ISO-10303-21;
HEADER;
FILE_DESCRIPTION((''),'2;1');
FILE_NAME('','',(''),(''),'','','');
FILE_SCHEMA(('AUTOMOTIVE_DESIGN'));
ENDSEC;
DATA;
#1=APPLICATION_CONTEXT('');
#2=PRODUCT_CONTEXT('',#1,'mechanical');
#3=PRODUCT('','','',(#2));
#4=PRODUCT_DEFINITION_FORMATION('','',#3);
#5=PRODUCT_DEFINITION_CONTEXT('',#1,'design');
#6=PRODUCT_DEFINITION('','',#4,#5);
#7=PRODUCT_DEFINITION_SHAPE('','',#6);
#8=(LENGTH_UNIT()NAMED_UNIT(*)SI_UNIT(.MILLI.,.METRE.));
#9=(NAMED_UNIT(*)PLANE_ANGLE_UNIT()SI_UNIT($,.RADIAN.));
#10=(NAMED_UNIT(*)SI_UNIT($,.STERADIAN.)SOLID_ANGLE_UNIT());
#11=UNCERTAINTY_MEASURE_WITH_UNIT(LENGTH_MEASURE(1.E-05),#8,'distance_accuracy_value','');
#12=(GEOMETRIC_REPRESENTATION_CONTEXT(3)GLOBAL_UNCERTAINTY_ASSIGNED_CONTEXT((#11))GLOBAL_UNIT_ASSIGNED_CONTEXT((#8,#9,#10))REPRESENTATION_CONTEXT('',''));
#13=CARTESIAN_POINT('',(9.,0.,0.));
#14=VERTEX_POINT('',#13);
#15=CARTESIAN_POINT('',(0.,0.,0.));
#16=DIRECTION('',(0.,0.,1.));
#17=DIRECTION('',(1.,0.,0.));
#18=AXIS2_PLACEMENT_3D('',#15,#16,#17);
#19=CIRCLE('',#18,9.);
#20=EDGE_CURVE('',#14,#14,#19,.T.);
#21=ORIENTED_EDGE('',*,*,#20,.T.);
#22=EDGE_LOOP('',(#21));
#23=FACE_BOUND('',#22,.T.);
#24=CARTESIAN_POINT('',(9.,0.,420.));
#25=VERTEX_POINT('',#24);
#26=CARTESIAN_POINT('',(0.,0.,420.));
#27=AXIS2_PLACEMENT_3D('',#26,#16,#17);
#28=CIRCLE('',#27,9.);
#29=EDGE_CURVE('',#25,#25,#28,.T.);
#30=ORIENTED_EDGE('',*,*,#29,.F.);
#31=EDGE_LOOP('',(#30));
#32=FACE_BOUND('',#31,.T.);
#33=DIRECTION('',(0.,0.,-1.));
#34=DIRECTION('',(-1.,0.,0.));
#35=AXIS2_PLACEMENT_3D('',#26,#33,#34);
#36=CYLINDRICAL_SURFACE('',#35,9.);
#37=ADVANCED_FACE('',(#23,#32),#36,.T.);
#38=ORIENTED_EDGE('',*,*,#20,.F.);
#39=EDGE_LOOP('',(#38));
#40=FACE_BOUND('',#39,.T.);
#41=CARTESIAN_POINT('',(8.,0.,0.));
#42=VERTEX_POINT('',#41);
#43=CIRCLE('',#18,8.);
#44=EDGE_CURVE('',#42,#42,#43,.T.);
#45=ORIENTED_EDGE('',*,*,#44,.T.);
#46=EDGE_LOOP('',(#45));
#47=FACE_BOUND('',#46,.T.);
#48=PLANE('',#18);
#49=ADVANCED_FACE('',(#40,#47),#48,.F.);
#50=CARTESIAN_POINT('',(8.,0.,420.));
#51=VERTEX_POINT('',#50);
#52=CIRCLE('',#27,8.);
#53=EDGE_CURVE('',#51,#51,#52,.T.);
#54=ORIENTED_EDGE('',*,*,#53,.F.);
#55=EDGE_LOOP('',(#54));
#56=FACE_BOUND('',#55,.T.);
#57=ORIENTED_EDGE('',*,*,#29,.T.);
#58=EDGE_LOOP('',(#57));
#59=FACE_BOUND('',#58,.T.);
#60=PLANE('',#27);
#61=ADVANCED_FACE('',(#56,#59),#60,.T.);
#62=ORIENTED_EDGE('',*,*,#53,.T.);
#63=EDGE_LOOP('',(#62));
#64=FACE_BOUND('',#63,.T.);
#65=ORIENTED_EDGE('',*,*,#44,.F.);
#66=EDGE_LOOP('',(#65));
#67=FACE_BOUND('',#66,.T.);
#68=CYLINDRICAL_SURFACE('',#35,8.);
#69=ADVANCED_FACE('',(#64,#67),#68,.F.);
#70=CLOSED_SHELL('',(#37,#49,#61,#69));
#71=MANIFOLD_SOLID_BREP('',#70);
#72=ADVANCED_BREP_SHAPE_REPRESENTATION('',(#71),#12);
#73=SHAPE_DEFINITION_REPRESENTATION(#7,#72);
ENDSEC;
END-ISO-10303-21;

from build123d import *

# Parameters (mm, degrees)
SCHIZZO1_R                   = 9
SCHIZZO1_R_2                 = 8
ESTRUSIONE_ESTRUSIONE1_DEPTH = 420


with BuildPart() as part:
    # Schizzo1 → Estrusione-Estrusione1 (new body)
    with BuildSketch(Plane.XY):
        Circle(SCHIZZO1_R)
        Circle(SCHIZZO1_R_2, mode=Mode.SUBTRACT)
    extrude(amount=ESTRUSIONE_ESTRUSIONE1_DEPTH)


solid = part.part
